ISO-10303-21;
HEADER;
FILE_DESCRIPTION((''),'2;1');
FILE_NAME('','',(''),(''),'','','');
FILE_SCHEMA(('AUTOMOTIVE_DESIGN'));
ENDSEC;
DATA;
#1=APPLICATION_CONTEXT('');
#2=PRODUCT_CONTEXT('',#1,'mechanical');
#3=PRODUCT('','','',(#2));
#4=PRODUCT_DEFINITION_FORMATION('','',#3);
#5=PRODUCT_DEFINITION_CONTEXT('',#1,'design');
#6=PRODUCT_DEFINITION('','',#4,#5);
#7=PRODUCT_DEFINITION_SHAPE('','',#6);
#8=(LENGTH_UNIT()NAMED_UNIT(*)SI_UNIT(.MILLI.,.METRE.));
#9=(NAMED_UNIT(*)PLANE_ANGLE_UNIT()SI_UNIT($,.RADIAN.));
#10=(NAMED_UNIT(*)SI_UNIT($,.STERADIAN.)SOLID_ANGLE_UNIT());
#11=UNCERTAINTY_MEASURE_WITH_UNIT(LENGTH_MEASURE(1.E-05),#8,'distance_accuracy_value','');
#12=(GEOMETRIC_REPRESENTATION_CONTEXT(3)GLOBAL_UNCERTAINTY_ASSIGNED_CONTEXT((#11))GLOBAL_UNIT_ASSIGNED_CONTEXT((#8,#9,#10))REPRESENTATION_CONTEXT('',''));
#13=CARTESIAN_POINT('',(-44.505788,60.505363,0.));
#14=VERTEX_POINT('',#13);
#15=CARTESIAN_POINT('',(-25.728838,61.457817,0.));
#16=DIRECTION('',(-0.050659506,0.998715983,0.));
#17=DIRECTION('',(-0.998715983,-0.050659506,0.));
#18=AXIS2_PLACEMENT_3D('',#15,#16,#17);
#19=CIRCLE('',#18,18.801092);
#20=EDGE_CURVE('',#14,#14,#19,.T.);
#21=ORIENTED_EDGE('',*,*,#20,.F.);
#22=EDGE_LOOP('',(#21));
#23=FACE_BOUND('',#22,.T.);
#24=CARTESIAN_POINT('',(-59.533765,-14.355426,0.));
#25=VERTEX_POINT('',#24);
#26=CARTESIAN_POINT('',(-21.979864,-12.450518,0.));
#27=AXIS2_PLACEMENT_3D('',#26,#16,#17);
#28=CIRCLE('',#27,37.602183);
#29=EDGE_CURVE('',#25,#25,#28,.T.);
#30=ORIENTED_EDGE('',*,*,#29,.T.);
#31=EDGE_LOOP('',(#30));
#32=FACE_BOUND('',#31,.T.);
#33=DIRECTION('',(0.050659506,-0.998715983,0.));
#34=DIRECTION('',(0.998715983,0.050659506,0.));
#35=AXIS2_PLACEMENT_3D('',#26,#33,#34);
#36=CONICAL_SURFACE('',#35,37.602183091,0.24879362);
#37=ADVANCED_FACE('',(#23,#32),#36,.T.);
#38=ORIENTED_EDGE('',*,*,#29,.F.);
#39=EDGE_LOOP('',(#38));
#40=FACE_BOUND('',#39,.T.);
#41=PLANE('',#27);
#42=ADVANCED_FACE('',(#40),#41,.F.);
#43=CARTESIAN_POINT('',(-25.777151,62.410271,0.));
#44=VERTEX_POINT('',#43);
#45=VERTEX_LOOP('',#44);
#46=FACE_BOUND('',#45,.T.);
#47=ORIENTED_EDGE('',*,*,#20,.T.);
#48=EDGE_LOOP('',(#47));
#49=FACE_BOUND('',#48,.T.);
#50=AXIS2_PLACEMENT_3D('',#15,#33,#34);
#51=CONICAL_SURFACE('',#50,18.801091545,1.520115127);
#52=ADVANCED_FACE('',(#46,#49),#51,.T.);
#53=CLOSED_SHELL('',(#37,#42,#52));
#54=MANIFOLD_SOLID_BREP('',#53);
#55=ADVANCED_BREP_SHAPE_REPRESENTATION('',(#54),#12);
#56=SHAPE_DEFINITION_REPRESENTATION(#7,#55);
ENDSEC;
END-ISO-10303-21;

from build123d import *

# Parameters (mm, degrees)
SCALE1_SCALE = 3


with BuildPart() as part:
    # Sketch1 → Revolve1 (revolve)
    with BuildSketch(Plane.XY):
        Polygon((-24.230303665, 31.915288037), (-22.964541534, 6.961691725), (-10.446574453, 7.596661069), (-17.95521583, 31.915288037), align=None)
    revolve(axis=Axis((-24.230303665, 31.915288037, 0), (0.05065950637679531, -0.9987159828568177, 0)))


with BuildPart() as part_1:
    # Scale1: scaled about (-23.456880174, 16.667796342, 0)
    add(part.part.scale(SCALE1_SCALE).moved(Location((46.913760348, -33.335592684, 0))))


solid = part_1.part
